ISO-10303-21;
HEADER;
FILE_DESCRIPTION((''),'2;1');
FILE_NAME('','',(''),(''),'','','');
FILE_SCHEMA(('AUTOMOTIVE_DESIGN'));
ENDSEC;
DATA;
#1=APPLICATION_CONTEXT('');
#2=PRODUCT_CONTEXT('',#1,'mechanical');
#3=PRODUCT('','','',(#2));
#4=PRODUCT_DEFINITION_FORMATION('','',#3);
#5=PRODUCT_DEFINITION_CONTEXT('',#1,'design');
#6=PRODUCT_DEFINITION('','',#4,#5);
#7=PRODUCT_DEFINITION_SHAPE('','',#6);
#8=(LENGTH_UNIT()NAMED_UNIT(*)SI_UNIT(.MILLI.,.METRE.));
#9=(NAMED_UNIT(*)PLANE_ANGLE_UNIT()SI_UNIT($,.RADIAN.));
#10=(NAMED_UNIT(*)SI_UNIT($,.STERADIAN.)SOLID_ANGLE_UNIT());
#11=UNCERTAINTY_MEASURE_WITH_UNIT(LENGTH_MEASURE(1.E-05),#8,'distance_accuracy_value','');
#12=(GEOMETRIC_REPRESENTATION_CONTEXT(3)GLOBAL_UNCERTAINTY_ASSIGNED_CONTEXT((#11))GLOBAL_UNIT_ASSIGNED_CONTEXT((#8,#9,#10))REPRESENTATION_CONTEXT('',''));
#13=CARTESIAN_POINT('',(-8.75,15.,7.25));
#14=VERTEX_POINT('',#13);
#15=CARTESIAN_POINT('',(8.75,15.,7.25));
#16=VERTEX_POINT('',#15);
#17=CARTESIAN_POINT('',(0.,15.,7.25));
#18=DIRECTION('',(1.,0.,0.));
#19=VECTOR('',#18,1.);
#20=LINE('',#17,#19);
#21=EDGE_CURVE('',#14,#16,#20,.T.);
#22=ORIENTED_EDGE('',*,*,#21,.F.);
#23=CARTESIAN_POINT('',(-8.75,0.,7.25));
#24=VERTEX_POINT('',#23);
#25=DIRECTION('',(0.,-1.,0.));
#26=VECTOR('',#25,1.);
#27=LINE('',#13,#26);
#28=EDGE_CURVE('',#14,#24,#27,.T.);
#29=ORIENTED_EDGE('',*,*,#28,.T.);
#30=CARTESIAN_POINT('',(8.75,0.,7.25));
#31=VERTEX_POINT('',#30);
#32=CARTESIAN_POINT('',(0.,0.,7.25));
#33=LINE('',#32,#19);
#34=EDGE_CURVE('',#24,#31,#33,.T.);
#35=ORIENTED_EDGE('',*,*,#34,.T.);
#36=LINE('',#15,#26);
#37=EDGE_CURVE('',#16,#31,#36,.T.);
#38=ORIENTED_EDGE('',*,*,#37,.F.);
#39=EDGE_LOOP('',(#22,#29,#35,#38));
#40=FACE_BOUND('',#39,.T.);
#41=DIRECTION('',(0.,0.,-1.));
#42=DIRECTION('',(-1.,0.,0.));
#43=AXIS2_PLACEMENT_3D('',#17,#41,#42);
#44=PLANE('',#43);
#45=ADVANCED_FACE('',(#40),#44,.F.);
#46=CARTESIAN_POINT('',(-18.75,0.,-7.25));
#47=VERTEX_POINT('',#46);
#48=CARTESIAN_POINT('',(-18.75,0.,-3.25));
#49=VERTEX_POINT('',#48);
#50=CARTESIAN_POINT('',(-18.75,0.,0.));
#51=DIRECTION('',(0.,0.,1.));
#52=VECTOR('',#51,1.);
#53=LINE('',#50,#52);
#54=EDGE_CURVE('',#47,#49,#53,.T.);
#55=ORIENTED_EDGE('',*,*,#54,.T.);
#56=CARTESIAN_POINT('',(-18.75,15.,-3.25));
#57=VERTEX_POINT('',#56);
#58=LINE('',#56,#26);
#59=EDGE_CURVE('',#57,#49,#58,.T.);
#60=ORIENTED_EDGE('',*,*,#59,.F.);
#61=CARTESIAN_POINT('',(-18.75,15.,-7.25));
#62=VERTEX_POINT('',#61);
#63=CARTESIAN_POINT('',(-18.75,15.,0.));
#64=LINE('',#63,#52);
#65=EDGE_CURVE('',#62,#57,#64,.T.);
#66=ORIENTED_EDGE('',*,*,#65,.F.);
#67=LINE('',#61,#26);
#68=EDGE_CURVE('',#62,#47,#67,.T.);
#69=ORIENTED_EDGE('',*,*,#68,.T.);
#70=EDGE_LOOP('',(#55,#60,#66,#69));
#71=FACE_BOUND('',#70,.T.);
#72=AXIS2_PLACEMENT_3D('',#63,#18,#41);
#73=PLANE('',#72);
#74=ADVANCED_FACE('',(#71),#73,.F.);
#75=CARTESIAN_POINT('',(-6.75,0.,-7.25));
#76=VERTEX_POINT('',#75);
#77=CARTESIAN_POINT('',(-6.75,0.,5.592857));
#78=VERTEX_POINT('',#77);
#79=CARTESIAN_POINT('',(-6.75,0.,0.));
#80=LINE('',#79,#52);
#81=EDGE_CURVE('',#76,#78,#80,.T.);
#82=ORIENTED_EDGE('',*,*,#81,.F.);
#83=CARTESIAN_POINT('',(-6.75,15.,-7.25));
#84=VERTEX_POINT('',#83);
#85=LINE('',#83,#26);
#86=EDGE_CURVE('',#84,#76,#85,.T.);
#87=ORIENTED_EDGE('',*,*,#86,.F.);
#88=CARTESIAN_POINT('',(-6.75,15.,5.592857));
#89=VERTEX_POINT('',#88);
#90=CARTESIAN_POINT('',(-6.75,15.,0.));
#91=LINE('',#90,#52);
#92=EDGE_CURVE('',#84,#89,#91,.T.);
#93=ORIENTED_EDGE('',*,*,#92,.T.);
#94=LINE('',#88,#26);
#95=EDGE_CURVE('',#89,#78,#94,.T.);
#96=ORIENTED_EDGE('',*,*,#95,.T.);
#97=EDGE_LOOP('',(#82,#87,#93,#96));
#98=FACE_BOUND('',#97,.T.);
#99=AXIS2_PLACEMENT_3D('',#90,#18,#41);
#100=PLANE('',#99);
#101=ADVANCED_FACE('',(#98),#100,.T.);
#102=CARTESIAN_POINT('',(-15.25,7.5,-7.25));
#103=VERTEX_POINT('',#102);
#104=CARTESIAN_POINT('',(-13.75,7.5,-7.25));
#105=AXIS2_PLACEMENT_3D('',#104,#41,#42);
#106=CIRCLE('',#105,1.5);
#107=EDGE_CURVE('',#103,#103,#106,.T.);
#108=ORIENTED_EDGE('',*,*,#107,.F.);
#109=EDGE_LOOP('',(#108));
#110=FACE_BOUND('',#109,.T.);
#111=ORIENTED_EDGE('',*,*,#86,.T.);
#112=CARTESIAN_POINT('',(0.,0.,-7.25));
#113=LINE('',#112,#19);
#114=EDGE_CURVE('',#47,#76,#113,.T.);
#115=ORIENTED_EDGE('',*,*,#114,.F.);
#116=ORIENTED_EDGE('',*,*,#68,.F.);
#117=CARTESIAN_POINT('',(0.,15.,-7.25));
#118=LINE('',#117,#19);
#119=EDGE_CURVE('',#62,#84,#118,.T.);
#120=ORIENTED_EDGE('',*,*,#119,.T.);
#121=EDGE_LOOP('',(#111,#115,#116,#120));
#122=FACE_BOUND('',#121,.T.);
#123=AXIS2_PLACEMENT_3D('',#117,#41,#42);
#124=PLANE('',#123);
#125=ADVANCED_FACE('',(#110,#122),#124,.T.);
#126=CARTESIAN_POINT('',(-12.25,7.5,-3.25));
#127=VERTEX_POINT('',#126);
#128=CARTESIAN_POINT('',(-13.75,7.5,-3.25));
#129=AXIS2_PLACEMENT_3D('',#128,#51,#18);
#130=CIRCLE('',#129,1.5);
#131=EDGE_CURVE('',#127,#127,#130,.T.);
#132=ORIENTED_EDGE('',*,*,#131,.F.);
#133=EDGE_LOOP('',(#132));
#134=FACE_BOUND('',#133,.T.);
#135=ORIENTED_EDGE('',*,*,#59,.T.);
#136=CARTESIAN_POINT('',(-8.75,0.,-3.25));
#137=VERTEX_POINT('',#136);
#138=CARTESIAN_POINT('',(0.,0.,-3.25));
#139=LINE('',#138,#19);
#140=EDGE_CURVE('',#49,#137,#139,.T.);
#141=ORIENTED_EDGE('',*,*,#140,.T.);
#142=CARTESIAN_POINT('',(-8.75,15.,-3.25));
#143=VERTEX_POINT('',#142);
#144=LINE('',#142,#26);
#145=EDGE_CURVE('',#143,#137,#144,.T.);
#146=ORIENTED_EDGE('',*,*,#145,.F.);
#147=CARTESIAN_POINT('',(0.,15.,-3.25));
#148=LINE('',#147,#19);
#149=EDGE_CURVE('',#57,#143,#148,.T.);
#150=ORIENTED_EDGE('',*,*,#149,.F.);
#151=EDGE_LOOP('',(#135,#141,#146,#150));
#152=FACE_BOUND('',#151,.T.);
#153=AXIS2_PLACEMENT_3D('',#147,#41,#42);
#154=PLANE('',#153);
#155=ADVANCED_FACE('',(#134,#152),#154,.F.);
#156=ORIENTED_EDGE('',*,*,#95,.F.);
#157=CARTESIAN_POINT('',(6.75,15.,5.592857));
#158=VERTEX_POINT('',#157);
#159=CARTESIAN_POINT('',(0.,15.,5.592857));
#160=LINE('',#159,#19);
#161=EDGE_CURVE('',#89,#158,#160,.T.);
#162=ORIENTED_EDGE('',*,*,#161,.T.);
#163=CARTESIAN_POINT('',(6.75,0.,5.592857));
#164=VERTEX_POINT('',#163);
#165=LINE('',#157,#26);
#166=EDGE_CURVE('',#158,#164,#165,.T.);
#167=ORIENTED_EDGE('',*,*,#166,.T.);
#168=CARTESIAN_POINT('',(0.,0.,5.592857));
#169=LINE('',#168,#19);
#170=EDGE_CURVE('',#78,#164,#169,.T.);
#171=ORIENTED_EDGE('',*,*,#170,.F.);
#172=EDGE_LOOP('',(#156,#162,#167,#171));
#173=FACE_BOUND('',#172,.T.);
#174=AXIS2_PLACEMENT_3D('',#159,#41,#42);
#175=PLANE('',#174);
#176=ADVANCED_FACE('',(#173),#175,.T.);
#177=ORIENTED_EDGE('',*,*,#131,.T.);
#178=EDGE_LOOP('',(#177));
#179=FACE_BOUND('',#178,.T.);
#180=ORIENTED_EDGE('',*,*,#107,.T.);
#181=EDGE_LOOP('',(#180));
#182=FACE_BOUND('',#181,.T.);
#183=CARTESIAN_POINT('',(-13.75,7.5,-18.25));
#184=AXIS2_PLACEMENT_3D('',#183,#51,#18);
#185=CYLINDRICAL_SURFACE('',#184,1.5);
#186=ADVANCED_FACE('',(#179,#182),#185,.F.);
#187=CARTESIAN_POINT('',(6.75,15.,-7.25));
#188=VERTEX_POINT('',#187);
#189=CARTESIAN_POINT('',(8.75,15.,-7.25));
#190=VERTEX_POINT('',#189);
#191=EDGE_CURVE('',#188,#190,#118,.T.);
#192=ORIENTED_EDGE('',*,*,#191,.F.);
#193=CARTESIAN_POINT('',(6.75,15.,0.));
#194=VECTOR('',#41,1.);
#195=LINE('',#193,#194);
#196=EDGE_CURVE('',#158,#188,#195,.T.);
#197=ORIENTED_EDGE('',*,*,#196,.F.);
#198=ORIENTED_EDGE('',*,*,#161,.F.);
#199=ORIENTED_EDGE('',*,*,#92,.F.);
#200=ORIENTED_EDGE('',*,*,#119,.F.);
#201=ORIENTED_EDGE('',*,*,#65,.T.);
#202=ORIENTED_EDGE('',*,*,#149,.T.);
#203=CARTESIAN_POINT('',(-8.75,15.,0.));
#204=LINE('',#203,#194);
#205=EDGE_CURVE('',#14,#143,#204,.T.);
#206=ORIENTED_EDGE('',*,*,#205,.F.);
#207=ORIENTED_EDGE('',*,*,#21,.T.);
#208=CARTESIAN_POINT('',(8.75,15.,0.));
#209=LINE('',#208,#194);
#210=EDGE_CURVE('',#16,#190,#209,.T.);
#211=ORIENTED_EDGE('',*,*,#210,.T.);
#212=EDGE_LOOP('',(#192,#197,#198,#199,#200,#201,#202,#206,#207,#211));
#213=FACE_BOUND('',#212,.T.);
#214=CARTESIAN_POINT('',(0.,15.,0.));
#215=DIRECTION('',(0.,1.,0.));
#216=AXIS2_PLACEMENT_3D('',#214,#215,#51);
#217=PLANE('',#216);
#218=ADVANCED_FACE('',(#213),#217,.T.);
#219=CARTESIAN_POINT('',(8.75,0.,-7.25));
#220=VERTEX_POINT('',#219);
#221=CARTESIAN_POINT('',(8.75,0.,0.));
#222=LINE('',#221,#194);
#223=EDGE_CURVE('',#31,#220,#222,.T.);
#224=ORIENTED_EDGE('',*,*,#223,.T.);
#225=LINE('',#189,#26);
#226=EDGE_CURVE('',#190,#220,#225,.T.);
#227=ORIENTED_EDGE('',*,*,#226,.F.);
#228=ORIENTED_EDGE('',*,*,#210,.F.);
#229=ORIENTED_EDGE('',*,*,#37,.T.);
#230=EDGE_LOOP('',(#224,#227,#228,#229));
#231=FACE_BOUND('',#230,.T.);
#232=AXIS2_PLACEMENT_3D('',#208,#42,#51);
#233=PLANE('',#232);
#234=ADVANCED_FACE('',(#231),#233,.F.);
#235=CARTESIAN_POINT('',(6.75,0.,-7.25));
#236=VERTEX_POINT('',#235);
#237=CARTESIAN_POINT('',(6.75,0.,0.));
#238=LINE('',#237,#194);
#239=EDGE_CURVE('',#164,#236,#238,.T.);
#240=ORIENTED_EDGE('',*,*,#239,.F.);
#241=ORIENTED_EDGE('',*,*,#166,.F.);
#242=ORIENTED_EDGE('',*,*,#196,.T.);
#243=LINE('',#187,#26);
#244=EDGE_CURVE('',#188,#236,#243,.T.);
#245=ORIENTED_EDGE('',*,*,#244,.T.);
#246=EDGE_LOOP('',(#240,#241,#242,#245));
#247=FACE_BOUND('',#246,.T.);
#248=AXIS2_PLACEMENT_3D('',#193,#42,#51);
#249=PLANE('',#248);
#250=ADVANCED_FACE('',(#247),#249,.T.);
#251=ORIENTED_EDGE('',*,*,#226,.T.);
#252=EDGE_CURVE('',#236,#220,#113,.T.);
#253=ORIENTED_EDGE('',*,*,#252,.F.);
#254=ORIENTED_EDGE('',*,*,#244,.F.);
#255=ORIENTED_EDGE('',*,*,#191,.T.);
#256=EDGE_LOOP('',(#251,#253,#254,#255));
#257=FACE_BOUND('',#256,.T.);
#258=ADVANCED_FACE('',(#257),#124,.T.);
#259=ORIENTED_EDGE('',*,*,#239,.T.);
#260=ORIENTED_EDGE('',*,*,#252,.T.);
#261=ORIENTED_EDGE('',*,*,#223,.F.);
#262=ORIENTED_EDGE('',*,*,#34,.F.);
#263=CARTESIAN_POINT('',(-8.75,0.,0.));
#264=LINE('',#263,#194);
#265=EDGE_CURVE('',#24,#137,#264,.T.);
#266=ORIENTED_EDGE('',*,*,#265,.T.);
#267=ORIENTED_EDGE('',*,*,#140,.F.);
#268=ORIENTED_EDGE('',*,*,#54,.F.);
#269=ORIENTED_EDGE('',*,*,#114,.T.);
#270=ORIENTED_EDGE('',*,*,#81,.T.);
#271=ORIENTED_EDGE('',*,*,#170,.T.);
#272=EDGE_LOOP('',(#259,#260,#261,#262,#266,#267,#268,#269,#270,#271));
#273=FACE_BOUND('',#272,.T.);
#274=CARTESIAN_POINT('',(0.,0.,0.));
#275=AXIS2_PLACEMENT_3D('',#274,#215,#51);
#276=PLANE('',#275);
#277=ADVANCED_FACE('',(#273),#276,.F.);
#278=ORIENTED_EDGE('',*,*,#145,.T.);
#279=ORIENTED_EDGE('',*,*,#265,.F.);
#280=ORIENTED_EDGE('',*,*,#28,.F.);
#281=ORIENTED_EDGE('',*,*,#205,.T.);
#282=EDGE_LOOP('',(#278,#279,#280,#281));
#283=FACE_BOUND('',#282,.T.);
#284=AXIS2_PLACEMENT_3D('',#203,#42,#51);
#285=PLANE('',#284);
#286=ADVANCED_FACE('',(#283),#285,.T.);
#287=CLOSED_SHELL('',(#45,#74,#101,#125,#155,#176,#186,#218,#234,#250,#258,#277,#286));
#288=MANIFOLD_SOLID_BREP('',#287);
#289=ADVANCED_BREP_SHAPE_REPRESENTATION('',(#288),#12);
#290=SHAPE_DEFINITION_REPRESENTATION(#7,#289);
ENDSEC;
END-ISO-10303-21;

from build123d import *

# Parameters (mm, degrees)
CROQUIS1_W              = 10
CROQUIS1_H              = 4
SALIENTE_EXTRUIR1_DEPTH = 15
CROQUIS2_R              = 1.5
CORTAR_EXTRUIR1_DEPTH   = 15


with BuildPart() as part:
    # Croquis1 → Saliente-Extruir1 (new body)
    with BuildSketch(Plane(origin=(0, 0, 0), x_dir=(1, 0, 0), z_dir=(0, 1, 0))):
        Polygon((-8.75, 3.25), (-8.75, -7.25), (8.75, -7.25), (8.75, 7.25), (6.75, 7.25), (6.75, -5.592857143), (-6.75, -5.592857143), (-6.75, 7.25), (-8.75, 7.25), align=None)
        with Locations((-13.75, 5.25)):
            Rectangle(CROQUIS1_W, CROQUIS1_H)
    extrude(amount=SALIENTE_EXTRUIR1_DEPTH)

    # Croquis2 → Cortar-Extruir1 (cut)
    with BuildSketch(Plane.XY.offset(-3.25)):
        with Locations((-13.75, 7.5)):
            Circle(CROQUIS2_R)
    extrude(amount=-CORTAR_EXTRUIR1_DEPTH, mode=Mode.SUBTRACT)


solid = part.part
